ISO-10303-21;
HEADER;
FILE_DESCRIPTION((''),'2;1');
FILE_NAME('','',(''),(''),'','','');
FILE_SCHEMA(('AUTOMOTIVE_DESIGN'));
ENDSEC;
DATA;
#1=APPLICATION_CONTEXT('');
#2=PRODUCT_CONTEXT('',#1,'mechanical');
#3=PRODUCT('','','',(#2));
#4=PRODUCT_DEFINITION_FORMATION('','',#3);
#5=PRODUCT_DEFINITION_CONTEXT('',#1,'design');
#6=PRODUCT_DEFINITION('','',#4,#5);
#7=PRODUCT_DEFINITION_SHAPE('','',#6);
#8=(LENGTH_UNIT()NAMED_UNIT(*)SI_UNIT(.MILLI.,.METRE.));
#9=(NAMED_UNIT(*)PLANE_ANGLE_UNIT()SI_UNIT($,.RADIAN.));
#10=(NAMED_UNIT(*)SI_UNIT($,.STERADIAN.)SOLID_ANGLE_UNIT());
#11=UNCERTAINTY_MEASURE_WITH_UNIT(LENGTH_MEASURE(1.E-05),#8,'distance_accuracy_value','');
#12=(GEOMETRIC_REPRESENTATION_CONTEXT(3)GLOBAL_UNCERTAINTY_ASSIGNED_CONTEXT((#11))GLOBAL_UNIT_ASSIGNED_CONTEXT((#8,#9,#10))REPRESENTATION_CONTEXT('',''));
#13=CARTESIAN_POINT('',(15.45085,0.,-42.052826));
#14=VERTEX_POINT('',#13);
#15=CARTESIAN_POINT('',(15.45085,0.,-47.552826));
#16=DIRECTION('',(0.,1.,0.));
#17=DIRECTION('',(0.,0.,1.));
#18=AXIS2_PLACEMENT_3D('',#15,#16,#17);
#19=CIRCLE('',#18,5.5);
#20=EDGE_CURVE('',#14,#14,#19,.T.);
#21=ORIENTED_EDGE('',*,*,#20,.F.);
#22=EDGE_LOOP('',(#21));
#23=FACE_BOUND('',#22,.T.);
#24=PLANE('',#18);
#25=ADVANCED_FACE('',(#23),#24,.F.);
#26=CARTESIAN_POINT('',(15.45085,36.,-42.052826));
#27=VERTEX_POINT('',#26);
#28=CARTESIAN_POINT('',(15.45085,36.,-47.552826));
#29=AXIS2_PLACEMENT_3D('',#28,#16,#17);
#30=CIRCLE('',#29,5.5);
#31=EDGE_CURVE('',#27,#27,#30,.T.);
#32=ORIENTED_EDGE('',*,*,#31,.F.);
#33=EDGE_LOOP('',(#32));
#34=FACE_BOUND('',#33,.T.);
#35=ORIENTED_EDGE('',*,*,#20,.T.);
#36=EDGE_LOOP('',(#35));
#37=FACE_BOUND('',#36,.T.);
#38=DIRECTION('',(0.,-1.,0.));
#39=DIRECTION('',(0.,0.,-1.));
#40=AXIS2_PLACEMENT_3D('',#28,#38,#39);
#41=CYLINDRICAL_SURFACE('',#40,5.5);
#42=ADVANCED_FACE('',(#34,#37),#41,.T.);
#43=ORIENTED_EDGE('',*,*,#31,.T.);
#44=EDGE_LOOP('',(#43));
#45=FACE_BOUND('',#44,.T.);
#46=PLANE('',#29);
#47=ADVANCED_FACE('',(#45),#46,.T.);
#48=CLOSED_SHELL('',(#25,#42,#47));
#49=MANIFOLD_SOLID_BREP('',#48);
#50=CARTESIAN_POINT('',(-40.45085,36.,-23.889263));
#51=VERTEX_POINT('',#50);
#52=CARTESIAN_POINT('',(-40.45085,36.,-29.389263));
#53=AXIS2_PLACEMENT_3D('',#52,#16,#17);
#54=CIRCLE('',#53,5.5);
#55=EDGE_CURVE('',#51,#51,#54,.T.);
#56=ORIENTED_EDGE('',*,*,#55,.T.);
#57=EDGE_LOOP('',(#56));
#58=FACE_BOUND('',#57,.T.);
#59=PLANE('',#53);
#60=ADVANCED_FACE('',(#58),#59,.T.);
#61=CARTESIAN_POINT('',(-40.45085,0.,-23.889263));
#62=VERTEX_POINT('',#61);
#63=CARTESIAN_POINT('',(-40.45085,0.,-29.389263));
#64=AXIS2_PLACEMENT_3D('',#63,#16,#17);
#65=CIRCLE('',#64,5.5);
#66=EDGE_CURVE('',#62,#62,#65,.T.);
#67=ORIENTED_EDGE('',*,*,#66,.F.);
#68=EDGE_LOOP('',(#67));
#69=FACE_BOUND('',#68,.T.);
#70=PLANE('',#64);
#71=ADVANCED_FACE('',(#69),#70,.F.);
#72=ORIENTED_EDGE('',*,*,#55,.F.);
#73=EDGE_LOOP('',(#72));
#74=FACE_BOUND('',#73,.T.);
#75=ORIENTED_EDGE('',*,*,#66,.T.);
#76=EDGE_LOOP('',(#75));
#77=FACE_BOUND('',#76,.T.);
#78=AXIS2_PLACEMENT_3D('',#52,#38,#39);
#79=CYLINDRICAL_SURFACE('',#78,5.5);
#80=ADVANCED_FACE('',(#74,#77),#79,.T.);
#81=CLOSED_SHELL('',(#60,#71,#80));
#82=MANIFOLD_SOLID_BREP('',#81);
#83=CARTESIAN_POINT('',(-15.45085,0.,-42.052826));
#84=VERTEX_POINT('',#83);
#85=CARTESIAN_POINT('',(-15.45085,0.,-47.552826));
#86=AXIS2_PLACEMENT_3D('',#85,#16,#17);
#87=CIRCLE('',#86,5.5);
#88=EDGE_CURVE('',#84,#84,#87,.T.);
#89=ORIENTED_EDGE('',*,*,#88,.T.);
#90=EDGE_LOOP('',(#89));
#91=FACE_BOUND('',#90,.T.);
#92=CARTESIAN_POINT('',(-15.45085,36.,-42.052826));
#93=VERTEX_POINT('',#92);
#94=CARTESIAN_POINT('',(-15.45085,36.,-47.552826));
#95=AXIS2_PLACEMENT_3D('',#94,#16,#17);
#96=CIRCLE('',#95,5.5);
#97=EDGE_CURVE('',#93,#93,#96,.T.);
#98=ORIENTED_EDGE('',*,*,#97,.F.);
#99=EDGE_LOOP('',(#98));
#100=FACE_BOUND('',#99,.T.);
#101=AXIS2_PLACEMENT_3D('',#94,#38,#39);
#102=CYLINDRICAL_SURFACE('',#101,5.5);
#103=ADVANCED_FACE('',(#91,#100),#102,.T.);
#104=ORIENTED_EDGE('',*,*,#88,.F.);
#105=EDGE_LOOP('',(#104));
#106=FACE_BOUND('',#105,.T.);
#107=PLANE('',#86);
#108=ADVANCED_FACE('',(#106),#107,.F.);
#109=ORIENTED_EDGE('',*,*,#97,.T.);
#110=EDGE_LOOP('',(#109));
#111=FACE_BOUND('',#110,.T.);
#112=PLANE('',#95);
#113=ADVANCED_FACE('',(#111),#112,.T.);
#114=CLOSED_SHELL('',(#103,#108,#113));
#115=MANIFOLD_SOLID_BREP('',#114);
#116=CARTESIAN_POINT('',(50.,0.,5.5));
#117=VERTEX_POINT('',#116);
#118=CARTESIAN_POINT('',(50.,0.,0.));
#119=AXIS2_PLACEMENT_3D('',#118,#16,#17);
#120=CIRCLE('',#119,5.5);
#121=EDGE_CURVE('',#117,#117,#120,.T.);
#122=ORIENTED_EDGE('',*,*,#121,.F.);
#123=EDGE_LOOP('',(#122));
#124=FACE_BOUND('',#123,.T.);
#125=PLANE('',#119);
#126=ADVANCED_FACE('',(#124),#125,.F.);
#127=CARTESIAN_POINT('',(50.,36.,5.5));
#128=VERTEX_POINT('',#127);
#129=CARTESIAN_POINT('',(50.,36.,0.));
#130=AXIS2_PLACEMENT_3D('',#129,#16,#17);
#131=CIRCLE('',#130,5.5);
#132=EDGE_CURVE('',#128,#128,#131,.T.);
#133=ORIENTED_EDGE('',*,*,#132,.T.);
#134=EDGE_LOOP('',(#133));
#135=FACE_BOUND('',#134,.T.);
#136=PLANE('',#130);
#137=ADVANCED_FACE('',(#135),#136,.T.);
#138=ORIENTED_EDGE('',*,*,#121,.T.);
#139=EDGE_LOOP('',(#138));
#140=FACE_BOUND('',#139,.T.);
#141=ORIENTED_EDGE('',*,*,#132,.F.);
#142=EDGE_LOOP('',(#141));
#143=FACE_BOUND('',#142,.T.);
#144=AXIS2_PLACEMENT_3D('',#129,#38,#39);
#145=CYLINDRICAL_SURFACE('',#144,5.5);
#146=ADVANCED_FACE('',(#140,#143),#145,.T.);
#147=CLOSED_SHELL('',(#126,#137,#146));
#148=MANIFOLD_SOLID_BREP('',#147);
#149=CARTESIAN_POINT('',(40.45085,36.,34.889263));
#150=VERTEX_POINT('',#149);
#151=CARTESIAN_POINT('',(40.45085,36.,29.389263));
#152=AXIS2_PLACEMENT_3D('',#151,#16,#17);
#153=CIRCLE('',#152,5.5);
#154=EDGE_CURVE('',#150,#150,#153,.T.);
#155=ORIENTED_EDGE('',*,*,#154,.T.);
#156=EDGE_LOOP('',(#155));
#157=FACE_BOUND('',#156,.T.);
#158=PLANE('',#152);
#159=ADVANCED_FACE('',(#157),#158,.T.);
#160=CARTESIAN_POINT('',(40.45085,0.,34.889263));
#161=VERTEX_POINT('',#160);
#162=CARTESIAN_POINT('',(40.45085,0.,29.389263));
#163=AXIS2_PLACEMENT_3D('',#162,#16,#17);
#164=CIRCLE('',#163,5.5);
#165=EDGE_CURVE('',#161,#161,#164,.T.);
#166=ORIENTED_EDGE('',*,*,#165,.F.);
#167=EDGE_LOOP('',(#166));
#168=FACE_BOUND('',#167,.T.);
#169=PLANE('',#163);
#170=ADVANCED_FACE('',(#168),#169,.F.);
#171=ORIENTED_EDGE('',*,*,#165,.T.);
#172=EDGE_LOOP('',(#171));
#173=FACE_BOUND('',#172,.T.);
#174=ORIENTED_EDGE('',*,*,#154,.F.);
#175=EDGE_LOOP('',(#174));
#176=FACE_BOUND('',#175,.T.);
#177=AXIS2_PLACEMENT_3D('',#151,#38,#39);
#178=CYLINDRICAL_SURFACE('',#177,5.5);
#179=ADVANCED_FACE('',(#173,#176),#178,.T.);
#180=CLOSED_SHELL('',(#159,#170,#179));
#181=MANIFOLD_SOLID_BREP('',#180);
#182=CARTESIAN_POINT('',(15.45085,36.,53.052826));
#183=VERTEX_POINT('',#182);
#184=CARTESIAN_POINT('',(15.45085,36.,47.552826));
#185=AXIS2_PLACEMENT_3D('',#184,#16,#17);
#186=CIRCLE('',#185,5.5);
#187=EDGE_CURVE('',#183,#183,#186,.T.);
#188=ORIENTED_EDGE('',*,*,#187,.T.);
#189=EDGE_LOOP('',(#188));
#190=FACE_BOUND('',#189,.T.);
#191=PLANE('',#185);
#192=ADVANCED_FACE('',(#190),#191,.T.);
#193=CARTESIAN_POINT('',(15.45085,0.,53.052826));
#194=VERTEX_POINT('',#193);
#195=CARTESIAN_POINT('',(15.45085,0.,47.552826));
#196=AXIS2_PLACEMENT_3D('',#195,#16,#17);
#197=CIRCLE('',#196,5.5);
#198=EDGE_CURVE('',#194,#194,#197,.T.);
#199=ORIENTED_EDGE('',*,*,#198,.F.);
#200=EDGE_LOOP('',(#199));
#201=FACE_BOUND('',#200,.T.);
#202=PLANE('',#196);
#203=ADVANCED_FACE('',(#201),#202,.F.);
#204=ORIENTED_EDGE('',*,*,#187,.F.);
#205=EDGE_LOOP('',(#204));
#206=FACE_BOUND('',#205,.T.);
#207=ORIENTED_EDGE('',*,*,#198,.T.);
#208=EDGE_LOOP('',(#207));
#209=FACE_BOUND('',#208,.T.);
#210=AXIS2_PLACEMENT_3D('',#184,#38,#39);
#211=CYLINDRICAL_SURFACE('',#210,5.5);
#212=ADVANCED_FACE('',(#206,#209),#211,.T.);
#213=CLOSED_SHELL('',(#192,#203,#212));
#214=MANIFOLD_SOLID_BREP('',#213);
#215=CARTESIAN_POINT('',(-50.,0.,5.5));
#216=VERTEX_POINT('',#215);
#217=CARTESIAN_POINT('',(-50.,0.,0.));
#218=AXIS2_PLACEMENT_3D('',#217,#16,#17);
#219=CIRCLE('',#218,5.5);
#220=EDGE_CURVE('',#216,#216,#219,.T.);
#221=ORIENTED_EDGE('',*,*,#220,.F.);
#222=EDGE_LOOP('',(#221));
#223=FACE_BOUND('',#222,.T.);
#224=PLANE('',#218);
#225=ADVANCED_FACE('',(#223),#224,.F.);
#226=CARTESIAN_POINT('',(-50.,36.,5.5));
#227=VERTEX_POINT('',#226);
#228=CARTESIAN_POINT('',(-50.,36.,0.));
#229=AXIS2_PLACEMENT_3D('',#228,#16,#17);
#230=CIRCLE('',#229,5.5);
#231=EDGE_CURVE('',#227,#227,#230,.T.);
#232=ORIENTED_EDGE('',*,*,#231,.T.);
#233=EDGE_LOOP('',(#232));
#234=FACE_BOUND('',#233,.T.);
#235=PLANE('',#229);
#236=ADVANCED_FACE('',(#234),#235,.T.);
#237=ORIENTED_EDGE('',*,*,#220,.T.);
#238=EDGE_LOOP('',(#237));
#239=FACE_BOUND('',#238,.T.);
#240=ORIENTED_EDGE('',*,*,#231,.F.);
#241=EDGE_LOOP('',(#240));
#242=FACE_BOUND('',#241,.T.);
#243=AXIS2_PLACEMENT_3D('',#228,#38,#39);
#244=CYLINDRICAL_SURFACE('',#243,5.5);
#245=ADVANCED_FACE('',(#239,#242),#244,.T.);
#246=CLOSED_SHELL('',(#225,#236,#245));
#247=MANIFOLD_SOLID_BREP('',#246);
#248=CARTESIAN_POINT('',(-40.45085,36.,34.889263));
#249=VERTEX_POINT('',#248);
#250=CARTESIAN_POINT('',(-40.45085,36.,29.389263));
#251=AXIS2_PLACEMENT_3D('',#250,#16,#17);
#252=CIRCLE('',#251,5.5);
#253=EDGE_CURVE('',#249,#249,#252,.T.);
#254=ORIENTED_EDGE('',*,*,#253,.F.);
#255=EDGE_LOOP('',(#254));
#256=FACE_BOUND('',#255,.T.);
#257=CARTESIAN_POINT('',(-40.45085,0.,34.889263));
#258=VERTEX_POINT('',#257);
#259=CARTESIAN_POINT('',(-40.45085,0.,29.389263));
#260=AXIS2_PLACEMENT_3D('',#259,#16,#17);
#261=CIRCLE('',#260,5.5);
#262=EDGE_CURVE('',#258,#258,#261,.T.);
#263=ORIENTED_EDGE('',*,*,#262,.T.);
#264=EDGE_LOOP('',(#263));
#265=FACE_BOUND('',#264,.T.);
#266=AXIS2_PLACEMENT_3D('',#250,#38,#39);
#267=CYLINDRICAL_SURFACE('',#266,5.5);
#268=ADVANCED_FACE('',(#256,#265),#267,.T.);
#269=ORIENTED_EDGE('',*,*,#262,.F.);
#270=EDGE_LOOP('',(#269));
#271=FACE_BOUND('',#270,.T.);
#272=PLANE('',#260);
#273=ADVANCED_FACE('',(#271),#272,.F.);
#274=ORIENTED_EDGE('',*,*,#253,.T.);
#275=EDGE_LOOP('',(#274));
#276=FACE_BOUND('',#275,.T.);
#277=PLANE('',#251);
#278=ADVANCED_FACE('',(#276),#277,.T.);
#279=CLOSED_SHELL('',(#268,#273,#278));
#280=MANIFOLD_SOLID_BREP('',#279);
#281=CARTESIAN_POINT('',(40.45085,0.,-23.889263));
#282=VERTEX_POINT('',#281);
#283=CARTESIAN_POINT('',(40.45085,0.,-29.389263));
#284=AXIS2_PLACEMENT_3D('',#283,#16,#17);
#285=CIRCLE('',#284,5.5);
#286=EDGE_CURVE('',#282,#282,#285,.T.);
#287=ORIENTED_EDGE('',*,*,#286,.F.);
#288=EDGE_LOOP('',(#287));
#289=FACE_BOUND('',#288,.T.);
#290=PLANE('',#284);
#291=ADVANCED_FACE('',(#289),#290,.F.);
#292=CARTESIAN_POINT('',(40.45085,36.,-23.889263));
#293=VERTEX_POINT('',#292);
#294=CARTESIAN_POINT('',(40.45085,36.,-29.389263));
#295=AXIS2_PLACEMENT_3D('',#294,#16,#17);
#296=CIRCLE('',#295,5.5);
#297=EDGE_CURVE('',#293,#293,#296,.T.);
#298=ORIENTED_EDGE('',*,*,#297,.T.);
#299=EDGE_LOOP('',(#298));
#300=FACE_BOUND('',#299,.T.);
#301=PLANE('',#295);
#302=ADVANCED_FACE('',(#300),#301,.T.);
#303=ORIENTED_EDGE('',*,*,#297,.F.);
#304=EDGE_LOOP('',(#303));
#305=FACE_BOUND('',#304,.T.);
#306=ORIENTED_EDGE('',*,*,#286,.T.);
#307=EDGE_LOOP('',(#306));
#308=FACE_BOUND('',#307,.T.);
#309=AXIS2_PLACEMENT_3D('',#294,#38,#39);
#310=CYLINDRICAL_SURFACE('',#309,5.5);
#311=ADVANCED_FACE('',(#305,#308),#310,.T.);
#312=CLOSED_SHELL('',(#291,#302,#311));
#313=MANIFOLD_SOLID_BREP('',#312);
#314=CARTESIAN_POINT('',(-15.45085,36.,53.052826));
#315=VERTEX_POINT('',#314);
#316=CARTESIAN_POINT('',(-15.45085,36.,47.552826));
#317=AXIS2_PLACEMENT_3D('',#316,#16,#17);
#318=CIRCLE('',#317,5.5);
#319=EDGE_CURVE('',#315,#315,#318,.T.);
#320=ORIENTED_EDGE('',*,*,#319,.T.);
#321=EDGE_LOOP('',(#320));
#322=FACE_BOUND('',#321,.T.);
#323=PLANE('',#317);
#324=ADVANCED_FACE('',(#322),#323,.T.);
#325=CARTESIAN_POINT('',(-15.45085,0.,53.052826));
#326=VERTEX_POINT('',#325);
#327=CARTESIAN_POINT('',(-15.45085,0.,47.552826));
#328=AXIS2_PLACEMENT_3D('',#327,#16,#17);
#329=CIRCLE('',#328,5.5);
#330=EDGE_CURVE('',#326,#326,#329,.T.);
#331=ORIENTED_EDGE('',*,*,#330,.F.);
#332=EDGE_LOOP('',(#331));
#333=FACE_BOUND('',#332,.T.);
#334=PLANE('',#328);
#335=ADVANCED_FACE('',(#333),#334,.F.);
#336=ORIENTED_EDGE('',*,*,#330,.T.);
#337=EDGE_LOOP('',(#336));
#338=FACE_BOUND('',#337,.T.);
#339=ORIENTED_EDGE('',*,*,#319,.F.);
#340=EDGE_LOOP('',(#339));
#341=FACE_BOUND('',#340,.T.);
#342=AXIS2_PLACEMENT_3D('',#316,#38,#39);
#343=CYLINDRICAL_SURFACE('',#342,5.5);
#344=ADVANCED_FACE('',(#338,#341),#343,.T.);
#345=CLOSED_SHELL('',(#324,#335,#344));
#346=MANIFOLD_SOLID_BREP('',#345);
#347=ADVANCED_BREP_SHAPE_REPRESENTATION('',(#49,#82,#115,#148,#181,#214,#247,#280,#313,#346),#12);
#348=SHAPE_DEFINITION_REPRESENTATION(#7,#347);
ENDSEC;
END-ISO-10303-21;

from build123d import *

# Parameters (mm, degrees)
SKETCH1_R              = 5.5
BOSS_EXTRUDE1_DEPTH    = 36
BOSS_EXTRUDE1_2_DEPTH  = 36
BOSS_EXTRUDE1_3_DEPTH  = 36
BOSS_EXTRUDE1_4_DEPTH  = 36
BOSS_EXTRUDE1_5_DEPTH  = 36
BOSS_EXTRUDE1_6_DEPTH  = 36
BOSS_EXTRUDE1_7_DEPTH  = 36
BOSS_EXTRUDE1_8_DEPTH  = 36
BOSS_EXTRUDE1_9_DEPTH  = 36
BOSS_EXTRUDE1_10_DEPTH = 36


with BuildPart() as part:
    # Sketch1 → Boss-Extrude1 (new body)
    with BuildSketch(Plane(origin=(0, 0, 0), x_dir=(1, 0, 0), z_dir=(0, 1, 0))):
        with Locations((50, 0)):
            Circle(SKETCH1_R)
    extrude(amount=BOSS_EXTRUDE1_DEPTH)


with BuildPart() as body_2:
    # Sketch1 → Boss-Extrude1 2 (new body)
    with BuildSketch(Plane(origin=(0, 0, 0), x_dir=(1, 0, 0), z_dir=(0, 1, 0))):
        with Locations((40.450849719, -29.389262615)):
            Circle(SKETCH1_R)
    extrude(amount=BOSS_EXTRUDE1_2_DEPTH)


with BuildPart() as body_3:
    # Sketch1 → Boss-Extrude1 3 (new body)
    with BuildSketch(Plane(origin=(0, 0, 0), x_dir=(1, 0, 0), z_dir=(0, 1, 0))):
        with Locations((15.450849719, -47.552825815)):
            Circle(SKETCH1_R)
    extrude(amount=BOSS_EXTRUDE1_3_DEPTH)


with BuildPart() as body_4:
    # Sketch1 → Boss-Extrude1 4 (new body)
    with BuildSketch(Plane(origin=(0, 0, 0), x_dir=(1, 0, 0), z_dir=(0, 1, 0))):
        with Locations((-15.450849719, -47.552825815)):
            Circle(SKETCH1_R)
    extrude(amount=BOSS_EXTRUDE1_4_DEPTH)


with BuildPart() as body_5:
    # Sketch1 → Boss-Extrude1 5 (new body)
    with BuildSketch(Plane(origin=(0, 0, 0), x_dir=(1, 0, 0), z_dir=(0, 1, 0))):
        with Locations((-40.450849719, -29.389262615)):
            Circle(SKETCH1_R)
    extrude(amount=BOSS_EXTRUDE1_5_DEPTH)


with BuildPart() as body_6:
    # Sketch1 → Boss-Extrude1 6 (new body)
    with BuildSketch(Plane(origin=(0, 0, 0), x_dir=(1, 0, 0), z_dir=(0, 1, 0))):
        with Locations((-50, 0)):
            Circle(SKETCH1_R)
    extrude(amount=BOSS_EXTRUDE1_6_DEPTH)


with BuildPart() as body_7:
    # Sketch1 → Boss-Extrude1 7 (new body)
    with BuildSketch(Plane(origin=(0, 0, 0), x_dir=(1, 0, 0), z_dir=(0, 1, 0))):
        with Locations((-40.450849719, 29.389262615)):
            Circle(SKETCH1_R)
    extrude(amount=BOSS_EXTRUDE1_7_DEPTH)


with BuildPart() as body_8:
    # Sketch1 → Boss-Extrude1 8 (new body)
    with BuildSketch(Plane(origin=(0, 0, 0), x_dir=(1, 0, 0), z_dir=(0, 1, 0))):
        with Locations((-15.450849719, 47.552825815)):
            Circle(SKETCH1_R)
    extrude(amount=BOSS_EXTRUDE1_8_DEPTH)


with BuildPart() as body_9:
    # Sketch1 → Boss-Extrude1 9 (new body)
    with BuildSketch(Plane(origin=(0, 0, 0), x_dir=(1, 0, 0), z_dir=(0, 1, 0))):
        with Locations((15.450849719, 47.552825815)):
            Circle(SKETCH1_R)
    extrude(amount=BOSS_EXTRUDE1_9_DEPTH)


with BuildPart() as body_10:
    # Sketch1 → Boss-Extrude1 10 (new body)
    with BuildSketch(Plane(origin=(0, 0, 0), x_dir=(1, 0, 0), z_dir=(0, 1, 0))):
        with Locations((40.450849719, 29.389262615)):
            Circle(SKETCH1_R)
    extrude(amount=BOSS_EXTRUDE1_10_DEPTH)


solid = Compound([part.part, body_2.part, body_3.part, body_4.part, body_5.part, body_6.part, body_7.part, body_8.part, body_9.part, body_10.part])
